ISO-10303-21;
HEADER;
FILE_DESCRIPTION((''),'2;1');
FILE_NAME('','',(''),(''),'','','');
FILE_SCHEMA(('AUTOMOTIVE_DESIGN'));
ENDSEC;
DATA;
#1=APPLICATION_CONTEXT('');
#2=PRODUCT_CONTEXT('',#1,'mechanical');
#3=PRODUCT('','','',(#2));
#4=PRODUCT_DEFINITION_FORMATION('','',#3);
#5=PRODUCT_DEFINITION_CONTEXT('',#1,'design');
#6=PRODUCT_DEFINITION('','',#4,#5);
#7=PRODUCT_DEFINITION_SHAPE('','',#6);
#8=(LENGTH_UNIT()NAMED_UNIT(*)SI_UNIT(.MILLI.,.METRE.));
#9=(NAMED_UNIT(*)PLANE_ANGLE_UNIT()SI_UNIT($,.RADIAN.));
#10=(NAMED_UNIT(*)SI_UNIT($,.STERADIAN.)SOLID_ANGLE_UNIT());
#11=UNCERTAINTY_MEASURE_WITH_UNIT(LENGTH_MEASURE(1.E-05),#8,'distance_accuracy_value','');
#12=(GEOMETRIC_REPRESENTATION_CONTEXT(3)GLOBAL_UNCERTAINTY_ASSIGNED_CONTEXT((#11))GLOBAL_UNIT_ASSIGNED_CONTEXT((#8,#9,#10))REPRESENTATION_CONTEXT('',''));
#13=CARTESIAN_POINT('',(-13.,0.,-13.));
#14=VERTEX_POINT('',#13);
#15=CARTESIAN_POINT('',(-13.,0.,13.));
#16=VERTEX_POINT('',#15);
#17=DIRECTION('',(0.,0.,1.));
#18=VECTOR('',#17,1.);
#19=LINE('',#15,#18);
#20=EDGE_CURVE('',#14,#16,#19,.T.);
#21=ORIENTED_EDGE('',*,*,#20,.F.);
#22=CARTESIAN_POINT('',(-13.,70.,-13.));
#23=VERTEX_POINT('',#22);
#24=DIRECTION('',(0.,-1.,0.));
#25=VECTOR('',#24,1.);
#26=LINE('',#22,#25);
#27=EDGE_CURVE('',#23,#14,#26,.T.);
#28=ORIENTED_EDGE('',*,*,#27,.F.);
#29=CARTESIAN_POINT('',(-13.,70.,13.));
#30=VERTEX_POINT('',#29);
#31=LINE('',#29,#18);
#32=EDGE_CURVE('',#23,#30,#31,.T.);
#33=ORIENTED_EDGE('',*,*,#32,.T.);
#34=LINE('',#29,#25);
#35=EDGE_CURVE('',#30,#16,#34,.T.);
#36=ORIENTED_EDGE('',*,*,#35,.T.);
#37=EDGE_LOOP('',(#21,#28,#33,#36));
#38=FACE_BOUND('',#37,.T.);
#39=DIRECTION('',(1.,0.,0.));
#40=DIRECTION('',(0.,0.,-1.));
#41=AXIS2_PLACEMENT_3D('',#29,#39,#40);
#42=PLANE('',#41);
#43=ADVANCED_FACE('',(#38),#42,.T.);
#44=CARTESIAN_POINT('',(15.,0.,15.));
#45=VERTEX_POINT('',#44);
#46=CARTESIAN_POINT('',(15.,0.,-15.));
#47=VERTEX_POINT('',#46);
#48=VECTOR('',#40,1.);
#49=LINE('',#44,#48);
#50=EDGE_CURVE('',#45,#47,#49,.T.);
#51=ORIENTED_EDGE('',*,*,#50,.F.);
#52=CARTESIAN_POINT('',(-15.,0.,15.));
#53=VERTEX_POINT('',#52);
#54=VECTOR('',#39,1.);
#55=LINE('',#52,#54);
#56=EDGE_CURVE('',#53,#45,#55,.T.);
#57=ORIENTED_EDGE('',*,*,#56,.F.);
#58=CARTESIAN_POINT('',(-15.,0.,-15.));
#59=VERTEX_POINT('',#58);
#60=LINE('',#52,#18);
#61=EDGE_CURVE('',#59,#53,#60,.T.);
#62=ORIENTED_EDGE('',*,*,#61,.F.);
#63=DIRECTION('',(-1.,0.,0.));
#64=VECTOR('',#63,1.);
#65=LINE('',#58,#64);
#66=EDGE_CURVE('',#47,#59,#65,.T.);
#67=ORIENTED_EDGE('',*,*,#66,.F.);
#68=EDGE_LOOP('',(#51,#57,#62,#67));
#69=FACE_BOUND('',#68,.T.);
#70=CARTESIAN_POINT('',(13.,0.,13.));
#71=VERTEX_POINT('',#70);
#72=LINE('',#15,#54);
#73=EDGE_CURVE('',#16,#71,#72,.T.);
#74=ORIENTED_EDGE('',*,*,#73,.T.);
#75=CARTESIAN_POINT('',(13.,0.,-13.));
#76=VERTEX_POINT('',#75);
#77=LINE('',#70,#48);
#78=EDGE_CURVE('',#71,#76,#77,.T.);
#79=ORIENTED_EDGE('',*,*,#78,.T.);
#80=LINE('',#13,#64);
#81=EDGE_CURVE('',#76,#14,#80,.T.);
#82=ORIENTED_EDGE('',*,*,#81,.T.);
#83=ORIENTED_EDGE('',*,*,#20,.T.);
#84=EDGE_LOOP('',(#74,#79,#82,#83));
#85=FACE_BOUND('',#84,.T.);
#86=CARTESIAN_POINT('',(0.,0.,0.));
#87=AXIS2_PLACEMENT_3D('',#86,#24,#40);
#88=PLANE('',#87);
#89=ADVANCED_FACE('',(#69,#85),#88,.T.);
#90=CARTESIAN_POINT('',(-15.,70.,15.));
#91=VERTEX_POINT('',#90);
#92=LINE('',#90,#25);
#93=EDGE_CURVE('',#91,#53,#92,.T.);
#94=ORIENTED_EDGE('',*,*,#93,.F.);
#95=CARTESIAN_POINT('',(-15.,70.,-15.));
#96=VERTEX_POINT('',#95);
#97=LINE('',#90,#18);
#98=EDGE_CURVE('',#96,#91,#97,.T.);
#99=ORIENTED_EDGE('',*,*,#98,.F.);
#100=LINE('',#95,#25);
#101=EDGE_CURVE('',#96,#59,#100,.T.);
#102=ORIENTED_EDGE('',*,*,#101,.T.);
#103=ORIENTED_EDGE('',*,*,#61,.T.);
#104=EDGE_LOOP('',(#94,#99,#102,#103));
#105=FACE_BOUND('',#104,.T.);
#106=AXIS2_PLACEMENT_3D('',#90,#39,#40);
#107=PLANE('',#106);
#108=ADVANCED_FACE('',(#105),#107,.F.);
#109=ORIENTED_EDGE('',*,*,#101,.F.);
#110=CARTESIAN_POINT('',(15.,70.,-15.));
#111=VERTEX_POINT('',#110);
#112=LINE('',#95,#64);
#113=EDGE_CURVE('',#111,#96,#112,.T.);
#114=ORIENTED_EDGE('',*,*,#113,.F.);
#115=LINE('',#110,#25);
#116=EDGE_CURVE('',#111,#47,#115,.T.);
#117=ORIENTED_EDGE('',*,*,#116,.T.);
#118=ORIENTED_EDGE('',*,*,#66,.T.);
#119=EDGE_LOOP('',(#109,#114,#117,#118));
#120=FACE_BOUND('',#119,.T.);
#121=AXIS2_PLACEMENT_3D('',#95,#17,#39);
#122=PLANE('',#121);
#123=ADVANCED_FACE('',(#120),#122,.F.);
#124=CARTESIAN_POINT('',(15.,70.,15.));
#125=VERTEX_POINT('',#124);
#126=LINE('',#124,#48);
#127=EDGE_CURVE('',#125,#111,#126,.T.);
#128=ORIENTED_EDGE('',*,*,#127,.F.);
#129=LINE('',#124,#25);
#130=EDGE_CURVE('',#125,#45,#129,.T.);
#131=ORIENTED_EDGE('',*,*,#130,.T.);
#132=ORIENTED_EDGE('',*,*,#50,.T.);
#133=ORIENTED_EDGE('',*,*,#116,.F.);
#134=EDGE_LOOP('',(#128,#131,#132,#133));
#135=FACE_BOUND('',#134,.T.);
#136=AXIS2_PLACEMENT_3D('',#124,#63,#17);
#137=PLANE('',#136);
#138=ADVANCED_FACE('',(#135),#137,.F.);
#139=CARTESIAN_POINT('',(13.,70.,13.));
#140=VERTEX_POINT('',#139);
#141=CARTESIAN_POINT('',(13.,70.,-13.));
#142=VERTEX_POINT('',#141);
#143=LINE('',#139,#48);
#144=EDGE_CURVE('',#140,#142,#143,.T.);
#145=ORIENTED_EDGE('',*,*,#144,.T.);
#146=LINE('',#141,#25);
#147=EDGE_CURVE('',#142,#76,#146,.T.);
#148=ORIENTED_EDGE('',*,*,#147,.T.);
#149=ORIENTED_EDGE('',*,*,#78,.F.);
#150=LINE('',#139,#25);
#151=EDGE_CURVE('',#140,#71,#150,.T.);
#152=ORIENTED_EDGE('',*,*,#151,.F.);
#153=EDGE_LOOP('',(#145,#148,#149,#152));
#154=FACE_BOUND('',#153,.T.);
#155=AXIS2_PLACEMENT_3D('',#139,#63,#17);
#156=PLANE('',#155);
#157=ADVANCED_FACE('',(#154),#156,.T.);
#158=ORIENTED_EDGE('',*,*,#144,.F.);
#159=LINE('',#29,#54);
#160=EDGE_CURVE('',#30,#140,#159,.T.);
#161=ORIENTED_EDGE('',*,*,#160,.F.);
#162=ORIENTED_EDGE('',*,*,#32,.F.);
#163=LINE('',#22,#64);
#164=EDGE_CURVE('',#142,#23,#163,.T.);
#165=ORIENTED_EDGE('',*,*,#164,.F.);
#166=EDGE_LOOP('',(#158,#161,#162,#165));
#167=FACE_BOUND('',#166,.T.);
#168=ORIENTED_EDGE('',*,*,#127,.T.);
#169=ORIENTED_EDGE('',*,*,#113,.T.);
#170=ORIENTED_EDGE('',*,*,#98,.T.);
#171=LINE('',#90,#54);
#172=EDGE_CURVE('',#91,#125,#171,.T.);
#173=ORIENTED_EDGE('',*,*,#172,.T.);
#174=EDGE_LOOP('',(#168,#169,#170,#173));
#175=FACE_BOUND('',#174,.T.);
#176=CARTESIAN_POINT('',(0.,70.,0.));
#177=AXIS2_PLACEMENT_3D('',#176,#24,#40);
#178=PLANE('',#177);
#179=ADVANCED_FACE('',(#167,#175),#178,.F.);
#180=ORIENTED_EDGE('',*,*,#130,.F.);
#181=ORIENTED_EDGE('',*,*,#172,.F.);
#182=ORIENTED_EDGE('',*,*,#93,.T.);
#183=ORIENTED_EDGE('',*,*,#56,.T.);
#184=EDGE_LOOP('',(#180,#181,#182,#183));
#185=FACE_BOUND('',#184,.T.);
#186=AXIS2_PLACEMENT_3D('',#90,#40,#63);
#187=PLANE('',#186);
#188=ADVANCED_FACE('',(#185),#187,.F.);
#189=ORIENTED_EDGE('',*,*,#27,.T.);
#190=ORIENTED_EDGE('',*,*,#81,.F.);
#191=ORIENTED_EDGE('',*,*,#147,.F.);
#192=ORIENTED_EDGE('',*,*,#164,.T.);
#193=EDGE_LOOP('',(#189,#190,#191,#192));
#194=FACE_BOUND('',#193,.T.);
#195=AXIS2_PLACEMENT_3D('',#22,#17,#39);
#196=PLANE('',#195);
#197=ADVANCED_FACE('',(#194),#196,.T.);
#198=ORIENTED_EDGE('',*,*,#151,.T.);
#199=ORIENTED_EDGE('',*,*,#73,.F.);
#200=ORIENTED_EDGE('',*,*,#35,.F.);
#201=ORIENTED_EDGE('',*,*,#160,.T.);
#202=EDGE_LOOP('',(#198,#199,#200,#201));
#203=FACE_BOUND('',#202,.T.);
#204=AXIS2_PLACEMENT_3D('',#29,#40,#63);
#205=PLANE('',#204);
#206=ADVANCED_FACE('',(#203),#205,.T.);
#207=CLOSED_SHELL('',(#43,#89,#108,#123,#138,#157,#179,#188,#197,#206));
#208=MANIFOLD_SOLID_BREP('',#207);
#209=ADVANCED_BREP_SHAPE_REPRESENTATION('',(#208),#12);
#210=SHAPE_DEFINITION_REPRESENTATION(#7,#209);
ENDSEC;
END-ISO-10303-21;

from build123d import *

# Parameters (mm, degrees)
SKETCH1_W           = 30
SKETCH1_H           = 30
SKETCH1_W_2         = 26
SKETCH1_H_2         = 26
BOSS_EXTRUDE1_DEPTH = 70


with BuildPart() as part:
    # Sketch1 → Boss-Extrude1 (new body)
    with BuildSketch(Plane(origin=(0, 0, 0), x_dir=(1, 0, 0), z_dir=(0, 1, 0))):
        Rectangle(SKETCH1_W, SKETCH1_H)
        Rectangle(SKETCH1_W_2, SKETCH1_H_2, mode=Mode.SUBTRACT)
    extrude(amount=BOSS_EXTRUDE1_DEPTH)


solid = part.part
